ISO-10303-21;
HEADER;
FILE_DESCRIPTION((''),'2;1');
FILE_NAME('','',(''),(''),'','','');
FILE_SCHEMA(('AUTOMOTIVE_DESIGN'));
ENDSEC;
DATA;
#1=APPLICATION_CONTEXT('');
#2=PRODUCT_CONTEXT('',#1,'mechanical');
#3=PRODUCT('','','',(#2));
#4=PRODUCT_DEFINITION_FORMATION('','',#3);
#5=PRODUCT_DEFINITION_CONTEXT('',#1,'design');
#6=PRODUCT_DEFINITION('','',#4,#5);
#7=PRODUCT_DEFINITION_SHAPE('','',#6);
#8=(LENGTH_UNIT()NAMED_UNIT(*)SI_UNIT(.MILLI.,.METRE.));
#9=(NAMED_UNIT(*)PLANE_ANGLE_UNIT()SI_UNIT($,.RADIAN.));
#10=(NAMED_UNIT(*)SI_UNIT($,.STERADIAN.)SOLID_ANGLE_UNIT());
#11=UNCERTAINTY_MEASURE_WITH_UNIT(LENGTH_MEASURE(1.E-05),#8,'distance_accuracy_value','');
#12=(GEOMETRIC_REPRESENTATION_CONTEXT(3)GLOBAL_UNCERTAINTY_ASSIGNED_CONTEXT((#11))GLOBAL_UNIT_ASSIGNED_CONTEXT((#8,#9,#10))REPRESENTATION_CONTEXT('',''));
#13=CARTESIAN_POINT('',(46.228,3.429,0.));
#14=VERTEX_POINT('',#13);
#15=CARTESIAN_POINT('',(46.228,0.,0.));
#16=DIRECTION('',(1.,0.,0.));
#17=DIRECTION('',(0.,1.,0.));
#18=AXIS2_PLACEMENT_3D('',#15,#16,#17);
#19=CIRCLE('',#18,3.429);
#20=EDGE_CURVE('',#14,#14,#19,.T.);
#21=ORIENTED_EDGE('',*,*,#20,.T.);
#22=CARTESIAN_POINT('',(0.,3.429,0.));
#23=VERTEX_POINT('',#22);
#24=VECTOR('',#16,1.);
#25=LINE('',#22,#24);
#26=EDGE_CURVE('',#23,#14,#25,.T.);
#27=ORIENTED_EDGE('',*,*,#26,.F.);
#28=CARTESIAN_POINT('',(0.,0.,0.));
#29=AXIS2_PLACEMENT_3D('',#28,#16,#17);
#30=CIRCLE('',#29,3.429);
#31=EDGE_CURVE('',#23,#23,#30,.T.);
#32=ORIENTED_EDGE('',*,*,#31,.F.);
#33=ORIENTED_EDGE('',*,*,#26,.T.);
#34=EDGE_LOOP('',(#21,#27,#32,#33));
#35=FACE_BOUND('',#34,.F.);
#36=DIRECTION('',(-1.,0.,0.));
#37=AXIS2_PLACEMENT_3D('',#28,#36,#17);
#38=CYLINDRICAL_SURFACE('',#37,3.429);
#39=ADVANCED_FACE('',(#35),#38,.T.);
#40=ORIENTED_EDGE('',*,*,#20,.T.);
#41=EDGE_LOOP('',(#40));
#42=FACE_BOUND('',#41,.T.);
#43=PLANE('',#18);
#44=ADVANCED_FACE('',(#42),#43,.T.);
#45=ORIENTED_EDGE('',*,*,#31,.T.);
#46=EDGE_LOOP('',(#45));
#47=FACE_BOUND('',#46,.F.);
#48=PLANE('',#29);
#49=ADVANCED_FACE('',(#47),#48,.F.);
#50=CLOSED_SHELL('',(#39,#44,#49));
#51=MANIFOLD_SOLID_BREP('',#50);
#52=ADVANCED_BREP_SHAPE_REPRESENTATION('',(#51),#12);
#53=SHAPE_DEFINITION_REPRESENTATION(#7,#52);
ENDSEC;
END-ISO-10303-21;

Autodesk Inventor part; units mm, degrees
ref_plane "YZ Plane" through (0, 0, 0) normal (1, 0, 0) x (0, 1, 0)
ref_plane "XZ Plane" through (0, 0, 0) normal (0, 1, 0) x (-1, 0, 0)
ref_plane "XY Plane" through (0, 0, 0) normal (0, 0, 1) x (1, 0, 0)
sketch "Sketch1" plane through (0, 0, 0) normal (1, 0, 0) x (0, 1, 0)
  circle A0 centre (0, 0) radius 3.429
  dimension "d0" = 6.858
extrude "Extrusion1" add sketch "Sketch1" along normal blind 46.228
properties part number "motorshaft"
